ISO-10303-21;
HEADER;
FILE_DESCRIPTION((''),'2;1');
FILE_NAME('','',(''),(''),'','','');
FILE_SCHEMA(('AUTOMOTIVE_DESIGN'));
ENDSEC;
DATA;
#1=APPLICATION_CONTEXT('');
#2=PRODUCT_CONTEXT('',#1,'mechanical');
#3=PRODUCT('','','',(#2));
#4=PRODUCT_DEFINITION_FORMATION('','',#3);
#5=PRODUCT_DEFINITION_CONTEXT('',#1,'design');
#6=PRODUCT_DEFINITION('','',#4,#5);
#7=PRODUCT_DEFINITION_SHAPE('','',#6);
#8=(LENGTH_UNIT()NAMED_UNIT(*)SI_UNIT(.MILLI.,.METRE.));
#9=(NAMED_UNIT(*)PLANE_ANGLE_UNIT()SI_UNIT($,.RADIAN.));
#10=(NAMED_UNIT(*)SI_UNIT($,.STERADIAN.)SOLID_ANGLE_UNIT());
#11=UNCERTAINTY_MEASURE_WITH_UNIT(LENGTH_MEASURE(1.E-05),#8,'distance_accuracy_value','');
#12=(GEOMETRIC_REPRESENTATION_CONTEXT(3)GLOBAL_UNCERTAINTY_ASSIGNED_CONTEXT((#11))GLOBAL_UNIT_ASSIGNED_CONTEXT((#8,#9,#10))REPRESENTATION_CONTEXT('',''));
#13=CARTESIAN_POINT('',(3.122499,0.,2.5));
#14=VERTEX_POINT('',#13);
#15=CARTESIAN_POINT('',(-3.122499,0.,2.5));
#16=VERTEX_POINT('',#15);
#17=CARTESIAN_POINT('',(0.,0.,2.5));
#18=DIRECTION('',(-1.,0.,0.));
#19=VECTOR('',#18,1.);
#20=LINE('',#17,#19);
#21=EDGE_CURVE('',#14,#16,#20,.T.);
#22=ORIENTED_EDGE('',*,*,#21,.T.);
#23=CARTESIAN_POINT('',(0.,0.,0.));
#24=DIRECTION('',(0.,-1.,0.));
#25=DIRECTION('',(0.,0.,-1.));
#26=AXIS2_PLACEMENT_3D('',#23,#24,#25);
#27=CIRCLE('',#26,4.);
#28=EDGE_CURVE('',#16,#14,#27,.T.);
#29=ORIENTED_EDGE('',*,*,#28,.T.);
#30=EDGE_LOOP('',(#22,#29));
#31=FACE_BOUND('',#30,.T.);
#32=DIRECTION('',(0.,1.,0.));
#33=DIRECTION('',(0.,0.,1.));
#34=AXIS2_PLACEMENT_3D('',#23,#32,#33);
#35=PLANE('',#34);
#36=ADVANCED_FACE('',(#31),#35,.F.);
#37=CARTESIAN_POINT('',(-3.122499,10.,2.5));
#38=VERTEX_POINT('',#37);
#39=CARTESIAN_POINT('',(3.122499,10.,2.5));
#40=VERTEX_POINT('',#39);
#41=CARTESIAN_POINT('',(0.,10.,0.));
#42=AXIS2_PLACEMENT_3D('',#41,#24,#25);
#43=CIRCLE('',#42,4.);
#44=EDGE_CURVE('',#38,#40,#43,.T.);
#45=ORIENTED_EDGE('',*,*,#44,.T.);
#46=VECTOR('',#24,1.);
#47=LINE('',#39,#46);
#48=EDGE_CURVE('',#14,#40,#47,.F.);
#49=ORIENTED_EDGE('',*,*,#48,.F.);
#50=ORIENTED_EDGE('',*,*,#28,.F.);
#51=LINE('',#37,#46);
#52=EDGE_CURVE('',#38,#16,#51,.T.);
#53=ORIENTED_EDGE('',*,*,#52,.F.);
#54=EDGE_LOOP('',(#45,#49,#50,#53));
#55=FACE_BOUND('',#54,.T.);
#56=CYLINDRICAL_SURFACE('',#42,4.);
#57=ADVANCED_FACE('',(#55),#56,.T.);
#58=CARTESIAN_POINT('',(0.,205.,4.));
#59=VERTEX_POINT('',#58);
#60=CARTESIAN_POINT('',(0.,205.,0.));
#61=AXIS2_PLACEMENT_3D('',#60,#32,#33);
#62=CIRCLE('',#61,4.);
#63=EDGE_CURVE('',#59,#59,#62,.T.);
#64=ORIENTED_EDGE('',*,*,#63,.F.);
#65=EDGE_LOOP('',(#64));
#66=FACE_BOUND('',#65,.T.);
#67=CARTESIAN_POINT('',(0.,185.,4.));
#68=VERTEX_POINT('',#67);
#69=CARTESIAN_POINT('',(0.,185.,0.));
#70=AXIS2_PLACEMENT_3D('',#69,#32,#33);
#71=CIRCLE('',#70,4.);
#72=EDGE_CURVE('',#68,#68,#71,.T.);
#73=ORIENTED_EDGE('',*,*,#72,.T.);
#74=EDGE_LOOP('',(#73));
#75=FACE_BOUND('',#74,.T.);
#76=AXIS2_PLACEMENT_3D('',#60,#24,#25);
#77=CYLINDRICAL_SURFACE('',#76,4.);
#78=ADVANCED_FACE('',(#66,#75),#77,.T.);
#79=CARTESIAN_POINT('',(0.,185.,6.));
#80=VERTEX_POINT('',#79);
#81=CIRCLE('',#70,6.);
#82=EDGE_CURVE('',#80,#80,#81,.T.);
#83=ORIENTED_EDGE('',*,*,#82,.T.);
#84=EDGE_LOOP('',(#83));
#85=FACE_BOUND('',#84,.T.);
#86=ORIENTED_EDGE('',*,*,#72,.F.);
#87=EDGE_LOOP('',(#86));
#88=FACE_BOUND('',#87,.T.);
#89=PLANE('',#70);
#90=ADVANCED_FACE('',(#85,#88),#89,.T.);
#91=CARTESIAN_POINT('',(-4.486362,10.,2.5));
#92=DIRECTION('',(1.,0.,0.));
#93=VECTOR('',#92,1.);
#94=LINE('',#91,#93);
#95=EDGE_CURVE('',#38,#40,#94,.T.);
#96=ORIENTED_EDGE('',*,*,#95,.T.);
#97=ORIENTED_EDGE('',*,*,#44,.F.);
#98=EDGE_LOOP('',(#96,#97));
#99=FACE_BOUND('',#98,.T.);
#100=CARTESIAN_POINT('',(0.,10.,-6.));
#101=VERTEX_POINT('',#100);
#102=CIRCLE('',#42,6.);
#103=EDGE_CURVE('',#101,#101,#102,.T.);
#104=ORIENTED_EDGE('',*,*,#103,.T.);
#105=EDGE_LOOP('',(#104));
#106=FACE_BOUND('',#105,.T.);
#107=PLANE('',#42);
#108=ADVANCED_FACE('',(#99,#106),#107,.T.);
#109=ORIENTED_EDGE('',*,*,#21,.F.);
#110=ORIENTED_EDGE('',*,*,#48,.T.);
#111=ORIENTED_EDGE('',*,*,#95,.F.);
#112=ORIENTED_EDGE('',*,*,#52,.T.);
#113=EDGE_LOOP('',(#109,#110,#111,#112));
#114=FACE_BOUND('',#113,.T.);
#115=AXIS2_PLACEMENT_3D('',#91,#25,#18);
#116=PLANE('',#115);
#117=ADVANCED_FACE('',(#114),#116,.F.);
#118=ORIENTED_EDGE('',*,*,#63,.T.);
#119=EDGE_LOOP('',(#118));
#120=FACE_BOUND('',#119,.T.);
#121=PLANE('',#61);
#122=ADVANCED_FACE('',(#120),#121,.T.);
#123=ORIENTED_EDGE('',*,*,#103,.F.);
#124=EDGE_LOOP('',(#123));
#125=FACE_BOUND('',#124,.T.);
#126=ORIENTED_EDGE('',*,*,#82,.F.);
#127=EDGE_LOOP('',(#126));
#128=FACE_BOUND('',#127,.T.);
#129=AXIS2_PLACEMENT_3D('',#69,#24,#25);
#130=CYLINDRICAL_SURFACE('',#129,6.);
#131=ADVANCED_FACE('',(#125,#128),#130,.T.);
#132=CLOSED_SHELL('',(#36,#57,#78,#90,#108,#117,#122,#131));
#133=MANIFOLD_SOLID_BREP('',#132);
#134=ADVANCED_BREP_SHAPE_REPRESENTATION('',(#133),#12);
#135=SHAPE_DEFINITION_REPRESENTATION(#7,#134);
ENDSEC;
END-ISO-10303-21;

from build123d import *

# Parameters (mm, degrees)
SKETCH_1_R          = 6
EXTRUDE_1_DEPTH     = 185
SKETCH_2_R          = 4
EXTRUDE_2_DEPTH     = 20
SKETCH_3_R          = 9.732435518
SKETCH_3_R_2        = 4
CUT_EXTRUDE_1_DEPTH = 10
CUT_EXTRUDE_2_DEPTH = 10


with BuildPart() as part:
    # Эскиз1 → Бобышка-Вытянуть1 (new body)
    with BuildSketch(Plane(origin=(0, 0, 0), x_dir=(1, 0, 0), z_dir=(0, 1, 0))):
        with Locations(Location((0, 0, 0), (0, 0, 270))):
            Circle(SKETCH_1_R)
    extrude(amount=EXTRUDE_1_DEPTH)

    # Эскиз2 → Бобышка-Вытянуть2 (add)
    with BuildSketch(Plane(origin=(0, 185, 0), x_dir=(1, 0, 0), z_dir=(0, 1, 0))):
        with Locations(Location((0, 0, 0), (0, 0, 270))):
            Circle(SKETCH_2_R)
    extrude(amount=EXTRUDE_2_DEPTH)

    # Эскиз3 → Вырез-Вытянуть1 (cut)
    with BuildSketch(Plane.XZ):
        Circle(SKETCH_3_R)
        with Locations(Location((0, 0, 0), (0, 0, 90))):
            Circle(SKETCH_3_R_2, mode=Mode.SUBTRACT)
    extrude(amount=-CUT_EXTRUDE_1_DEPTH, mode=Mode.SUBTRACT)

    # Эскиз4 → Вырез-Вытянуть2 (cut)
    with BuildSketch(Plane.XZ):
        Polygon((-4.486362363, 2.5), (4.2655411, 2.5), (0, 5.300115958), align=None)
    extrude(amount=-CUT_EXTRUDE_2_DEPTH, mode=Mode.SUBTRACT)


solid = part.part
